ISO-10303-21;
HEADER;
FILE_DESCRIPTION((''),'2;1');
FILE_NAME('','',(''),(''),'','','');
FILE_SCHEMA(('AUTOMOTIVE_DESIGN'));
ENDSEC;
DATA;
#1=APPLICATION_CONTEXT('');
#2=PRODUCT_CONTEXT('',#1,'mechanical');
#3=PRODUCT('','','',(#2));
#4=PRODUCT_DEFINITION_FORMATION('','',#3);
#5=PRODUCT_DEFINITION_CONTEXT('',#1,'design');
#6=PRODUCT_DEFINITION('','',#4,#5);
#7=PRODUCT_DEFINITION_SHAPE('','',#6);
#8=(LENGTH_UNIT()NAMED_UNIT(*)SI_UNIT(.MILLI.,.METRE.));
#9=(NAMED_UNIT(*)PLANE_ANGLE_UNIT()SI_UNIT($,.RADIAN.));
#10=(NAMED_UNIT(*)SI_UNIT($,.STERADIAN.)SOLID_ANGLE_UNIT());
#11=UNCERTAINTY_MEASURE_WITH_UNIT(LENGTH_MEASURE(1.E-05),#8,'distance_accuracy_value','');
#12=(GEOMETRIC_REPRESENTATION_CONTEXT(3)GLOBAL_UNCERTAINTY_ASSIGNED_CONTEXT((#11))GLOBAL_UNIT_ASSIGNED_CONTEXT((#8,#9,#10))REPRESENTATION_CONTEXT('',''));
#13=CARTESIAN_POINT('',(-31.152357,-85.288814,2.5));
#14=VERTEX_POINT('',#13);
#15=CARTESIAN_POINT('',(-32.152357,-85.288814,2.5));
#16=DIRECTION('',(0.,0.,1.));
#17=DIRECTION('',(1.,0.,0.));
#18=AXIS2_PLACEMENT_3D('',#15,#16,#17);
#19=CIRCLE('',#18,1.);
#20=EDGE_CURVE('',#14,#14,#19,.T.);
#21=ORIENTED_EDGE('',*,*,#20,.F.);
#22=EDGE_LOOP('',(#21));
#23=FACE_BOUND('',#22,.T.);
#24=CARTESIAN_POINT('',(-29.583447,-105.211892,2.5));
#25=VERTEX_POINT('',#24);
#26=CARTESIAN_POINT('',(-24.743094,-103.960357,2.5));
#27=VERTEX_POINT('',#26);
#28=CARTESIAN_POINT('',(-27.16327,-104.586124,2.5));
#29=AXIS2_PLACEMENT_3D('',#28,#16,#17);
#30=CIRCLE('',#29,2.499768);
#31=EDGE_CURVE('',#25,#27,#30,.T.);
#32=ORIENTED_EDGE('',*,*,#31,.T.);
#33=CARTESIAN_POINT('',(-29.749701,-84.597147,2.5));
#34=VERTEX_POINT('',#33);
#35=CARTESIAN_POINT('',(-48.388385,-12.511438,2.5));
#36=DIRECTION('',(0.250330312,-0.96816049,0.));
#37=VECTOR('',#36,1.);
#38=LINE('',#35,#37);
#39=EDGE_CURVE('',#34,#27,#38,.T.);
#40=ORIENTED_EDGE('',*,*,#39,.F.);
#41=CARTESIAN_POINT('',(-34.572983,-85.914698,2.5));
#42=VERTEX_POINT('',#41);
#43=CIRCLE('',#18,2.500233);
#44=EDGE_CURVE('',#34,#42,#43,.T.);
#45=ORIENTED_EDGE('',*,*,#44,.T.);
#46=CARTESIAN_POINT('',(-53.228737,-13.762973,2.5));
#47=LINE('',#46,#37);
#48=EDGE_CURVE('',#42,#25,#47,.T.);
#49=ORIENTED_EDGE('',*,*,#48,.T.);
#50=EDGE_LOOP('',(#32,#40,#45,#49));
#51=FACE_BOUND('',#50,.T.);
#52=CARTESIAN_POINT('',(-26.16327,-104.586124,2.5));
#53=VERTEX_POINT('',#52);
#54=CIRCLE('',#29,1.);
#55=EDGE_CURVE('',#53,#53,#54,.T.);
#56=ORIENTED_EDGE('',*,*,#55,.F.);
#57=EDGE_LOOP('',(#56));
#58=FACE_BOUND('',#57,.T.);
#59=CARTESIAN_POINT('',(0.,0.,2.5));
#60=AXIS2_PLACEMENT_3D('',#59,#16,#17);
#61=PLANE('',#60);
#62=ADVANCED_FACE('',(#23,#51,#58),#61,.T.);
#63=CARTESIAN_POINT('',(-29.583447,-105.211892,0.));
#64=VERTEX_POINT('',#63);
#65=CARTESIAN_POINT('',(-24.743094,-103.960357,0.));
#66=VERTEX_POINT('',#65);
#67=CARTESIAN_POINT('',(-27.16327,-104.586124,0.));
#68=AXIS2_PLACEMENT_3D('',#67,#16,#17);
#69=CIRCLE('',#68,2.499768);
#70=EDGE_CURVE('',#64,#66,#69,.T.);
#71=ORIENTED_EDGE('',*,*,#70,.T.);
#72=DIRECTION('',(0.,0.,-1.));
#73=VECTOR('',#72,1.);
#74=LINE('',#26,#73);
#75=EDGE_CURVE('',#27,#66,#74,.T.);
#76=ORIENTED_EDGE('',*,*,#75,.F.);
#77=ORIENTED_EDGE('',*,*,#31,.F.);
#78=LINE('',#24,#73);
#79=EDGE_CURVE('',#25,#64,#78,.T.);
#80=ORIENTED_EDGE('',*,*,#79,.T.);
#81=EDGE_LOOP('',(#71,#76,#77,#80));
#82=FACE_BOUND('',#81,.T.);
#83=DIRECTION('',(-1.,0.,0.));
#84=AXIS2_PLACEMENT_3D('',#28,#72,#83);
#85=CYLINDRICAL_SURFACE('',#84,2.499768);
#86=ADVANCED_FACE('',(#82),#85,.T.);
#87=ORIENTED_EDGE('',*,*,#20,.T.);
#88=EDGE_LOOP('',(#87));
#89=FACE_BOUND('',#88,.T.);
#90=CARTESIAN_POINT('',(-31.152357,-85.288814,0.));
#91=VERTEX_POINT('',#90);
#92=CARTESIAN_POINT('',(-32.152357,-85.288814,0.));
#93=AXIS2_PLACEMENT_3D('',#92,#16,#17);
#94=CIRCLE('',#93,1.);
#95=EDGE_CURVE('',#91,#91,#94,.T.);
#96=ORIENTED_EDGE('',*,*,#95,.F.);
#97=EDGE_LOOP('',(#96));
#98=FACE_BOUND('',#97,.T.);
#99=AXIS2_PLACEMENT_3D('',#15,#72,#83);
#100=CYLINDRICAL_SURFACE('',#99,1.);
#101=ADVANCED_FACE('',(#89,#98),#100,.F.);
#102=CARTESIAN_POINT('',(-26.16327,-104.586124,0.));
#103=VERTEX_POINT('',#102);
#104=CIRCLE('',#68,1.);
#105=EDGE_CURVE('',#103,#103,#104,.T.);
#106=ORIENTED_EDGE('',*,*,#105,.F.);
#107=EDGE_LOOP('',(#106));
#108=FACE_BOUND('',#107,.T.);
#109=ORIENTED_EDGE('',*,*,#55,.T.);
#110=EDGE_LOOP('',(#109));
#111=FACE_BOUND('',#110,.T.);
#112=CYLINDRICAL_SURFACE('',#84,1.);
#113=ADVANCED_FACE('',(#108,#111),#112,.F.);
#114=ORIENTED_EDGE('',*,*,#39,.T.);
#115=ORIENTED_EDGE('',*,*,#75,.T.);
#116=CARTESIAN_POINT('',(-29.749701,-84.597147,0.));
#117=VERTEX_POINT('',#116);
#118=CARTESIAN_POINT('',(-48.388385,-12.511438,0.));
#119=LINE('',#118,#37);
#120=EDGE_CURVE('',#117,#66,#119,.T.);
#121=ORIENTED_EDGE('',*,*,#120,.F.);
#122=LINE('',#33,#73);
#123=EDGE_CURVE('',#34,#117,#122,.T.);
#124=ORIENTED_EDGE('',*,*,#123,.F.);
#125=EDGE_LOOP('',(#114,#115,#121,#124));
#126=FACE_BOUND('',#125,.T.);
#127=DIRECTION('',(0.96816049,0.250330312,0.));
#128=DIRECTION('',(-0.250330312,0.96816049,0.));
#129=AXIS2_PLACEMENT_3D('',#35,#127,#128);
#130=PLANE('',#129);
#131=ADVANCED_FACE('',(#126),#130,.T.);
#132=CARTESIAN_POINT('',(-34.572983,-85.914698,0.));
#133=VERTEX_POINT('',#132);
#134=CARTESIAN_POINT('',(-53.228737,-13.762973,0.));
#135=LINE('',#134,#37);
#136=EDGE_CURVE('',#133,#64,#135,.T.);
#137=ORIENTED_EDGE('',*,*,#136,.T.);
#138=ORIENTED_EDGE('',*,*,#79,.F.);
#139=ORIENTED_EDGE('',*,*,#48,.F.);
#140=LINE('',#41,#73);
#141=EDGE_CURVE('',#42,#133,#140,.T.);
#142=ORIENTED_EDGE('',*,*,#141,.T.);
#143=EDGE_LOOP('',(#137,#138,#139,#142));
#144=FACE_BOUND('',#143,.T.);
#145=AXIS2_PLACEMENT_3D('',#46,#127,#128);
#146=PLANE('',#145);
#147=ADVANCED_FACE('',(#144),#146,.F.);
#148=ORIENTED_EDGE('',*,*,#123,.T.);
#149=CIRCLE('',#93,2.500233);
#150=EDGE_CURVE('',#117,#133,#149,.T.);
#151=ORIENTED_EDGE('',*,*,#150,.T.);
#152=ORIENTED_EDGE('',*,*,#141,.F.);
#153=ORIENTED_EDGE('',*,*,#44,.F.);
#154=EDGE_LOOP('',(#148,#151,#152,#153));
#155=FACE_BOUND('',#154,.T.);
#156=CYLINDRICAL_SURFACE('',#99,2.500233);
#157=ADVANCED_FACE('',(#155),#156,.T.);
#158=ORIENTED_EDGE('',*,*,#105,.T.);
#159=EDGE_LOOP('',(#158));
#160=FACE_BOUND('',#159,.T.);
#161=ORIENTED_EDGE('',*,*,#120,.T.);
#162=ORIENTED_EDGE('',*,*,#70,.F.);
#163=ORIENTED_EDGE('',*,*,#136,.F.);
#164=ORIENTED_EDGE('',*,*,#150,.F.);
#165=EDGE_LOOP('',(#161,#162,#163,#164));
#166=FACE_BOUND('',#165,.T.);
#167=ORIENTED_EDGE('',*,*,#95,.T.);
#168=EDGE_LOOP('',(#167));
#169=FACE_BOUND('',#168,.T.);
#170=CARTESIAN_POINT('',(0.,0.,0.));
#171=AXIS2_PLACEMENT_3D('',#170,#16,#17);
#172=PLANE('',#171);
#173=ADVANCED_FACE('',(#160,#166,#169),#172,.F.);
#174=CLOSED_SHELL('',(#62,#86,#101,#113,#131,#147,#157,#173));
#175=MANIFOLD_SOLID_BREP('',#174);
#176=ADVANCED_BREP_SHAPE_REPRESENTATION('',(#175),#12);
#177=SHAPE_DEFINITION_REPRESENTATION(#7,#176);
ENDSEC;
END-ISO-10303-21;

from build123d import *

# Parameters (mm, degrees)
SKETCH1_R           = 1
BOSS_EXTRUDE1_DEPTH = 2.5


with BuildPart() as part:
    # Sketch1 → Boss-Extrude1 (new body)
    with BuildSketch(Plane.XY):
        with BuildLine():
            ThreePointArc((-29.749700534, -84.597146776), (-32.811194124, -82.876948499), (-34.572983456, -85.914698236))
            Line((-34.572983456, -85.914698236), (-29.583446567, -105.211891744))
            ThreePointArc((-29.583446567, -105.211891744), (-26.537502843, -107.006300302), (-24.743094285, -103.960356578))
            Line((-24.743094285, -103.960356578), (-29.749700534, -84.597146776))
        make_face()
        with Locations((-27.163270426, -104.586124161)):
            Circle(SKETCH1_R, mode=Mode.SUBTRACT)
        with Locations((-32.152357125, -85.288814251)):
            Circle(SKETCH1_R, mode=Mode.SUBTRACT)
    extrude(amount=BOSS_EXTRUDE1_DEPTH)


solid = part.part
